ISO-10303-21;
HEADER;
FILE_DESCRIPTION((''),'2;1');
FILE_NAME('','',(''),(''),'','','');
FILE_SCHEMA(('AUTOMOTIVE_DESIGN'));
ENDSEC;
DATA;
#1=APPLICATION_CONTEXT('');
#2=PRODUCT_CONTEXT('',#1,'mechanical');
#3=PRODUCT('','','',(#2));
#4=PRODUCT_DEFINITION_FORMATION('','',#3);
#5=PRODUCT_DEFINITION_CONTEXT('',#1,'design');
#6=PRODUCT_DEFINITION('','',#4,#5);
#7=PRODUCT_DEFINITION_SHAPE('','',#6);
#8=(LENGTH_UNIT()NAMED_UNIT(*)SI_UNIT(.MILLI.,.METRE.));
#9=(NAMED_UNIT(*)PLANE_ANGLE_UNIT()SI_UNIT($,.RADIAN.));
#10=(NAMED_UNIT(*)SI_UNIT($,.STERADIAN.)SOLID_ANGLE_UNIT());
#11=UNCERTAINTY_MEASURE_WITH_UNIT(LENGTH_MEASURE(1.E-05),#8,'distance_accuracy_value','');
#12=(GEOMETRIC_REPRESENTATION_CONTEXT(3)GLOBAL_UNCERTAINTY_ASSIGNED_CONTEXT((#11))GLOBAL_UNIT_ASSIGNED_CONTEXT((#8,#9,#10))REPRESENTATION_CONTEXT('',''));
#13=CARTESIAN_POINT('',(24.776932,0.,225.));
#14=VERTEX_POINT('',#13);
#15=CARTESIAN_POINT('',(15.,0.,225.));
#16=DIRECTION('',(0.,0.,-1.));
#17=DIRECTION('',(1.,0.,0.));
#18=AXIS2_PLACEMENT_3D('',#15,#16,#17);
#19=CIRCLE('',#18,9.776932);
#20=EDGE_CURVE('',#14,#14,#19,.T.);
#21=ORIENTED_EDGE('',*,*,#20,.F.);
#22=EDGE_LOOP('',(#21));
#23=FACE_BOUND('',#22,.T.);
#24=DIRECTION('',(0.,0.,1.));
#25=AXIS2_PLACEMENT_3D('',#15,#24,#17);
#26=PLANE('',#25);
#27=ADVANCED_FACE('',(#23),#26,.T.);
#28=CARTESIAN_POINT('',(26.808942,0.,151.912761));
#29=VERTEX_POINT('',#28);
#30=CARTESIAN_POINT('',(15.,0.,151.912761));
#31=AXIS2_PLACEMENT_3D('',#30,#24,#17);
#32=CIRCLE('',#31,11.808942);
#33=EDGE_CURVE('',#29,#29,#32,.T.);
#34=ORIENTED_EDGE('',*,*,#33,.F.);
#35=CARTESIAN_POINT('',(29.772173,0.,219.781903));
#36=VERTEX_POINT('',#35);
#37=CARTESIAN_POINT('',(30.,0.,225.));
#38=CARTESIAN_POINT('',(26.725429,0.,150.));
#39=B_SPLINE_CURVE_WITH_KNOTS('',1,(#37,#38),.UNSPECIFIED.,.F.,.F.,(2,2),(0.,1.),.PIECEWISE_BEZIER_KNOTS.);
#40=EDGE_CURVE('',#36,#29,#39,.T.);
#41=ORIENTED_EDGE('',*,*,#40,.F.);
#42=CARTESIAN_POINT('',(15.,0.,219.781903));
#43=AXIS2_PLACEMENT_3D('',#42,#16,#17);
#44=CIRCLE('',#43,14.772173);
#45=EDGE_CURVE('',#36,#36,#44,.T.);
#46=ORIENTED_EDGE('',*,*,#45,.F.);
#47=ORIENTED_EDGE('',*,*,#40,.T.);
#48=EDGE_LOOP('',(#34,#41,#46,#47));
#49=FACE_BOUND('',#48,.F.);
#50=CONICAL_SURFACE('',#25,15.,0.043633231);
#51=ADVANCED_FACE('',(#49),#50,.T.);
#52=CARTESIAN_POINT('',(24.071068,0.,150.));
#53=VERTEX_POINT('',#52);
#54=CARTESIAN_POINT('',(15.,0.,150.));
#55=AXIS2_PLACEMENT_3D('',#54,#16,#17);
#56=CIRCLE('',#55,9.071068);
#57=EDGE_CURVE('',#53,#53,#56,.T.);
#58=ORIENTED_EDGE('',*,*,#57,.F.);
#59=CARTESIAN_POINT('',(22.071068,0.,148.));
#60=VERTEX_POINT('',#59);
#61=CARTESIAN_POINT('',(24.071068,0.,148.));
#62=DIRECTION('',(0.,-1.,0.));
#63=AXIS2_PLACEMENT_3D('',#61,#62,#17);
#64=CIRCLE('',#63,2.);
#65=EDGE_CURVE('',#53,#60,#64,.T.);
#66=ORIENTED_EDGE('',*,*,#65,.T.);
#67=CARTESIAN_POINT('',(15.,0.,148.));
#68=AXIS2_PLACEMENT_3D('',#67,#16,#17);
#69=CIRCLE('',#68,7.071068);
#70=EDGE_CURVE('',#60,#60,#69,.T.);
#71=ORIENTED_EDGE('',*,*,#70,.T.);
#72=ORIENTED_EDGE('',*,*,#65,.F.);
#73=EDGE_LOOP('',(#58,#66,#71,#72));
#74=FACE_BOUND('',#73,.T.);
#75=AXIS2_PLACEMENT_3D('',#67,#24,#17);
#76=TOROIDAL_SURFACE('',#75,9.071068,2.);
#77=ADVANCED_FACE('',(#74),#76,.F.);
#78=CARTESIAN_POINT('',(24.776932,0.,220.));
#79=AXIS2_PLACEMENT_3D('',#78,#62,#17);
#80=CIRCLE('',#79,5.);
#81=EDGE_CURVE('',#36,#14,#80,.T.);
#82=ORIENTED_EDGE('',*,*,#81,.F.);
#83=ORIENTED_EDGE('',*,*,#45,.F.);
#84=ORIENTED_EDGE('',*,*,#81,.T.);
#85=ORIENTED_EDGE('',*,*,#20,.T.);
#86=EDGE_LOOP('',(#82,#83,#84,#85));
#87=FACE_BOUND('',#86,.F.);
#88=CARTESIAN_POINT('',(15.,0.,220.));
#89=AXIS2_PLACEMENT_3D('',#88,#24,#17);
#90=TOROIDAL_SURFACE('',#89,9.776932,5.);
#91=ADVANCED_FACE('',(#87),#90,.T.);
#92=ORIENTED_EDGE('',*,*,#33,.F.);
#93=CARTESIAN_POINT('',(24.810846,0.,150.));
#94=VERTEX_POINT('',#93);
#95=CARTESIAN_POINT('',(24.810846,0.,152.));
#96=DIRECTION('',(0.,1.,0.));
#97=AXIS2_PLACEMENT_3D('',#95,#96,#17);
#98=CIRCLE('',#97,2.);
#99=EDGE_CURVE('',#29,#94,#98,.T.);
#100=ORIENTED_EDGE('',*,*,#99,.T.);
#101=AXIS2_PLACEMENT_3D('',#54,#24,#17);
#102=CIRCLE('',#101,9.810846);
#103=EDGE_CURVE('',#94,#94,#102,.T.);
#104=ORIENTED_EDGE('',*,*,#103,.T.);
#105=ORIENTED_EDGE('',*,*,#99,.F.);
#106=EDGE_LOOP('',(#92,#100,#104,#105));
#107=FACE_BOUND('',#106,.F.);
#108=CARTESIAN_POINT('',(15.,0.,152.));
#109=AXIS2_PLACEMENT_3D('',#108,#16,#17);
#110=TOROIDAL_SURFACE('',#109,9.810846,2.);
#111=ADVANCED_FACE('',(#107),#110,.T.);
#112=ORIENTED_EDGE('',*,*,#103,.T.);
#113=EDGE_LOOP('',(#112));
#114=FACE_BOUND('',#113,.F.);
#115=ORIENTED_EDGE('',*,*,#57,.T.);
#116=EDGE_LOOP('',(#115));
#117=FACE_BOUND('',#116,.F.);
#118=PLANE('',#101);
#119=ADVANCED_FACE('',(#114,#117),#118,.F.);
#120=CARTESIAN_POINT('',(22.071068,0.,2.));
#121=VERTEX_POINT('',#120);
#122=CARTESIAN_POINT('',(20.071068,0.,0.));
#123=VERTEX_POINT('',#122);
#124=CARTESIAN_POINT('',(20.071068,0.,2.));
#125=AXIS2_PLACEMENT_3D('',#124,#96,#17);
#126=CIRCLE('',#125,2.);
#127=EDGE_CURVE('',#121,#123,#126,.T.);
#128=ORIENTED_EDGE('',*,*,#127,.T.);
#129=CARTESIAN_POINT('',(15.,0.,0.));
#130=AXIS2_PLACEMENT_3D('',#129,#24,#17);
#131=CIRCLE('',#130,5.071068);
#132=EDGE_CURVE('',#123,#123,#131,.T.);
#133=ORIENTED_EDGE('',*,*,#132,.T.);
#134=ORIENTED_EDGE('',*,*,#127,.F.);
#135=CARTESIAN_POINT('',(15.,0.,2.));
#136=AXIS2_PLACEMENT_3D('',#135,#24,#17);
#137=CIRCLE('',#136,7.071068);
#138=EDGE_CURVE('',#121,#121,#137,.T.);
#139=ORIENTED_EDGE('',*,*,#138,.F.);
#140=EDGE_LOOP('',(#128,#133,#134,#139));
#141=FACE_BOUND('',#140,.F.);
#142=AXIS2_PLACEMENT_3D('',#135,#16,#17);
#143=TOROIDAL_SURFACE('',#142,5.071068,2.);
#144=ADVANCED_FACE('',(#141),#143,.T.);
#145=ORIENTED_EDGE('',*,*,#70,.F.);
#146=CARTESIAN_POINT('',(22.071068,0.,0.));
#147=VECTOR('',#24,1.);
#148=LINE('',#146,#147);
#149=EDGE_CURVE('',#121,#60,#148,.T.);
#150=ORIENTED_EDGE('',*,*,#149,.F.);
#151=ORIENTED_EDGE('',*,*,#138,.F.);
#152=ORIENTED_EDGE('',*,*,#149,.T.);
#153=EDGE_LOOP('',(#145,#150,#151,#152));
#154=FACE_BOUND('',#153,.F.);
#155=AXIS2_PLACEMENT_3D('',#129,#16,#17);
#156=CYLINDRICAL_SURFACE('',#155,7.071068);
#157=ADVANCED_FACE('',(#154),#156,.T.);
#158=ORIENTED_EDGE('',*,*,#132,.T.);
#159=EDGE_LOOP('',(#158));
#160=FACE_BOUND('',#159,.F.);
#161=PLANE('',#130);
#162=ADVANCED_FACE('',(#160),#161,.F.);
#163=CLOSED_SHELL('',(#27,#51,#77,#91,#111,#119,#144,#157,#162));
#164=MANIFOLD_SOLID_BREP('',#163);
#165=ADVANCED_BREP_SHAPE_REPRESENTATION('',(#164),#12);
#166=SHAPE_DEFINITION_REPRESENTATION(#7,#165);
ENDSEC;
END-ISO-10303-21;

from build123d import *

# Parameters (mm, degrees)
SKETCH001_R  = 7.071068
PAD001_DEPTH = 225
SKETCH002_R  = 15
PAD002_DEPTH = 75
PAD002_TAPER = 2.5
FILLET001_R  = 2
FILLET002_R  = 5


with BuildPart() as part:
    # Sketch001 → Pad001 (new body)
    with BuildSketch(Plane.XY):
        with Locations((15, 0)):
            Circle(SKETCH001_R)
    extrude(amount=PAD001_DEPTH)

    # Sketch002 → Pad002 (join)
    with BuildSketch(Plane.XY.offset(225)):
        with Locations((15, 0)):
            Circle(SKETCH002_R)
    extrude(amount=-PAD002_DEPTH, taper=PAD002_TAPER)

    # Fillet001
    fillet001_edges = [part.edges().sort_by_distance(p)[0] for p in [
        (7.928932, 0, 0),
        (7.928932, 0, 150),
        (3.274571, 0, 150),
    ]]
    fillet(fillet001_edges, radius=FILLET001_R)

    # Fillet002
    fillet002_edges = [part.edges().sort_by_distance(p)[0] for p in [
        (0, 0, 225),
    ]]
    fillet(fillet002_edges, radius=FILLET002_R)


solid = part.part
